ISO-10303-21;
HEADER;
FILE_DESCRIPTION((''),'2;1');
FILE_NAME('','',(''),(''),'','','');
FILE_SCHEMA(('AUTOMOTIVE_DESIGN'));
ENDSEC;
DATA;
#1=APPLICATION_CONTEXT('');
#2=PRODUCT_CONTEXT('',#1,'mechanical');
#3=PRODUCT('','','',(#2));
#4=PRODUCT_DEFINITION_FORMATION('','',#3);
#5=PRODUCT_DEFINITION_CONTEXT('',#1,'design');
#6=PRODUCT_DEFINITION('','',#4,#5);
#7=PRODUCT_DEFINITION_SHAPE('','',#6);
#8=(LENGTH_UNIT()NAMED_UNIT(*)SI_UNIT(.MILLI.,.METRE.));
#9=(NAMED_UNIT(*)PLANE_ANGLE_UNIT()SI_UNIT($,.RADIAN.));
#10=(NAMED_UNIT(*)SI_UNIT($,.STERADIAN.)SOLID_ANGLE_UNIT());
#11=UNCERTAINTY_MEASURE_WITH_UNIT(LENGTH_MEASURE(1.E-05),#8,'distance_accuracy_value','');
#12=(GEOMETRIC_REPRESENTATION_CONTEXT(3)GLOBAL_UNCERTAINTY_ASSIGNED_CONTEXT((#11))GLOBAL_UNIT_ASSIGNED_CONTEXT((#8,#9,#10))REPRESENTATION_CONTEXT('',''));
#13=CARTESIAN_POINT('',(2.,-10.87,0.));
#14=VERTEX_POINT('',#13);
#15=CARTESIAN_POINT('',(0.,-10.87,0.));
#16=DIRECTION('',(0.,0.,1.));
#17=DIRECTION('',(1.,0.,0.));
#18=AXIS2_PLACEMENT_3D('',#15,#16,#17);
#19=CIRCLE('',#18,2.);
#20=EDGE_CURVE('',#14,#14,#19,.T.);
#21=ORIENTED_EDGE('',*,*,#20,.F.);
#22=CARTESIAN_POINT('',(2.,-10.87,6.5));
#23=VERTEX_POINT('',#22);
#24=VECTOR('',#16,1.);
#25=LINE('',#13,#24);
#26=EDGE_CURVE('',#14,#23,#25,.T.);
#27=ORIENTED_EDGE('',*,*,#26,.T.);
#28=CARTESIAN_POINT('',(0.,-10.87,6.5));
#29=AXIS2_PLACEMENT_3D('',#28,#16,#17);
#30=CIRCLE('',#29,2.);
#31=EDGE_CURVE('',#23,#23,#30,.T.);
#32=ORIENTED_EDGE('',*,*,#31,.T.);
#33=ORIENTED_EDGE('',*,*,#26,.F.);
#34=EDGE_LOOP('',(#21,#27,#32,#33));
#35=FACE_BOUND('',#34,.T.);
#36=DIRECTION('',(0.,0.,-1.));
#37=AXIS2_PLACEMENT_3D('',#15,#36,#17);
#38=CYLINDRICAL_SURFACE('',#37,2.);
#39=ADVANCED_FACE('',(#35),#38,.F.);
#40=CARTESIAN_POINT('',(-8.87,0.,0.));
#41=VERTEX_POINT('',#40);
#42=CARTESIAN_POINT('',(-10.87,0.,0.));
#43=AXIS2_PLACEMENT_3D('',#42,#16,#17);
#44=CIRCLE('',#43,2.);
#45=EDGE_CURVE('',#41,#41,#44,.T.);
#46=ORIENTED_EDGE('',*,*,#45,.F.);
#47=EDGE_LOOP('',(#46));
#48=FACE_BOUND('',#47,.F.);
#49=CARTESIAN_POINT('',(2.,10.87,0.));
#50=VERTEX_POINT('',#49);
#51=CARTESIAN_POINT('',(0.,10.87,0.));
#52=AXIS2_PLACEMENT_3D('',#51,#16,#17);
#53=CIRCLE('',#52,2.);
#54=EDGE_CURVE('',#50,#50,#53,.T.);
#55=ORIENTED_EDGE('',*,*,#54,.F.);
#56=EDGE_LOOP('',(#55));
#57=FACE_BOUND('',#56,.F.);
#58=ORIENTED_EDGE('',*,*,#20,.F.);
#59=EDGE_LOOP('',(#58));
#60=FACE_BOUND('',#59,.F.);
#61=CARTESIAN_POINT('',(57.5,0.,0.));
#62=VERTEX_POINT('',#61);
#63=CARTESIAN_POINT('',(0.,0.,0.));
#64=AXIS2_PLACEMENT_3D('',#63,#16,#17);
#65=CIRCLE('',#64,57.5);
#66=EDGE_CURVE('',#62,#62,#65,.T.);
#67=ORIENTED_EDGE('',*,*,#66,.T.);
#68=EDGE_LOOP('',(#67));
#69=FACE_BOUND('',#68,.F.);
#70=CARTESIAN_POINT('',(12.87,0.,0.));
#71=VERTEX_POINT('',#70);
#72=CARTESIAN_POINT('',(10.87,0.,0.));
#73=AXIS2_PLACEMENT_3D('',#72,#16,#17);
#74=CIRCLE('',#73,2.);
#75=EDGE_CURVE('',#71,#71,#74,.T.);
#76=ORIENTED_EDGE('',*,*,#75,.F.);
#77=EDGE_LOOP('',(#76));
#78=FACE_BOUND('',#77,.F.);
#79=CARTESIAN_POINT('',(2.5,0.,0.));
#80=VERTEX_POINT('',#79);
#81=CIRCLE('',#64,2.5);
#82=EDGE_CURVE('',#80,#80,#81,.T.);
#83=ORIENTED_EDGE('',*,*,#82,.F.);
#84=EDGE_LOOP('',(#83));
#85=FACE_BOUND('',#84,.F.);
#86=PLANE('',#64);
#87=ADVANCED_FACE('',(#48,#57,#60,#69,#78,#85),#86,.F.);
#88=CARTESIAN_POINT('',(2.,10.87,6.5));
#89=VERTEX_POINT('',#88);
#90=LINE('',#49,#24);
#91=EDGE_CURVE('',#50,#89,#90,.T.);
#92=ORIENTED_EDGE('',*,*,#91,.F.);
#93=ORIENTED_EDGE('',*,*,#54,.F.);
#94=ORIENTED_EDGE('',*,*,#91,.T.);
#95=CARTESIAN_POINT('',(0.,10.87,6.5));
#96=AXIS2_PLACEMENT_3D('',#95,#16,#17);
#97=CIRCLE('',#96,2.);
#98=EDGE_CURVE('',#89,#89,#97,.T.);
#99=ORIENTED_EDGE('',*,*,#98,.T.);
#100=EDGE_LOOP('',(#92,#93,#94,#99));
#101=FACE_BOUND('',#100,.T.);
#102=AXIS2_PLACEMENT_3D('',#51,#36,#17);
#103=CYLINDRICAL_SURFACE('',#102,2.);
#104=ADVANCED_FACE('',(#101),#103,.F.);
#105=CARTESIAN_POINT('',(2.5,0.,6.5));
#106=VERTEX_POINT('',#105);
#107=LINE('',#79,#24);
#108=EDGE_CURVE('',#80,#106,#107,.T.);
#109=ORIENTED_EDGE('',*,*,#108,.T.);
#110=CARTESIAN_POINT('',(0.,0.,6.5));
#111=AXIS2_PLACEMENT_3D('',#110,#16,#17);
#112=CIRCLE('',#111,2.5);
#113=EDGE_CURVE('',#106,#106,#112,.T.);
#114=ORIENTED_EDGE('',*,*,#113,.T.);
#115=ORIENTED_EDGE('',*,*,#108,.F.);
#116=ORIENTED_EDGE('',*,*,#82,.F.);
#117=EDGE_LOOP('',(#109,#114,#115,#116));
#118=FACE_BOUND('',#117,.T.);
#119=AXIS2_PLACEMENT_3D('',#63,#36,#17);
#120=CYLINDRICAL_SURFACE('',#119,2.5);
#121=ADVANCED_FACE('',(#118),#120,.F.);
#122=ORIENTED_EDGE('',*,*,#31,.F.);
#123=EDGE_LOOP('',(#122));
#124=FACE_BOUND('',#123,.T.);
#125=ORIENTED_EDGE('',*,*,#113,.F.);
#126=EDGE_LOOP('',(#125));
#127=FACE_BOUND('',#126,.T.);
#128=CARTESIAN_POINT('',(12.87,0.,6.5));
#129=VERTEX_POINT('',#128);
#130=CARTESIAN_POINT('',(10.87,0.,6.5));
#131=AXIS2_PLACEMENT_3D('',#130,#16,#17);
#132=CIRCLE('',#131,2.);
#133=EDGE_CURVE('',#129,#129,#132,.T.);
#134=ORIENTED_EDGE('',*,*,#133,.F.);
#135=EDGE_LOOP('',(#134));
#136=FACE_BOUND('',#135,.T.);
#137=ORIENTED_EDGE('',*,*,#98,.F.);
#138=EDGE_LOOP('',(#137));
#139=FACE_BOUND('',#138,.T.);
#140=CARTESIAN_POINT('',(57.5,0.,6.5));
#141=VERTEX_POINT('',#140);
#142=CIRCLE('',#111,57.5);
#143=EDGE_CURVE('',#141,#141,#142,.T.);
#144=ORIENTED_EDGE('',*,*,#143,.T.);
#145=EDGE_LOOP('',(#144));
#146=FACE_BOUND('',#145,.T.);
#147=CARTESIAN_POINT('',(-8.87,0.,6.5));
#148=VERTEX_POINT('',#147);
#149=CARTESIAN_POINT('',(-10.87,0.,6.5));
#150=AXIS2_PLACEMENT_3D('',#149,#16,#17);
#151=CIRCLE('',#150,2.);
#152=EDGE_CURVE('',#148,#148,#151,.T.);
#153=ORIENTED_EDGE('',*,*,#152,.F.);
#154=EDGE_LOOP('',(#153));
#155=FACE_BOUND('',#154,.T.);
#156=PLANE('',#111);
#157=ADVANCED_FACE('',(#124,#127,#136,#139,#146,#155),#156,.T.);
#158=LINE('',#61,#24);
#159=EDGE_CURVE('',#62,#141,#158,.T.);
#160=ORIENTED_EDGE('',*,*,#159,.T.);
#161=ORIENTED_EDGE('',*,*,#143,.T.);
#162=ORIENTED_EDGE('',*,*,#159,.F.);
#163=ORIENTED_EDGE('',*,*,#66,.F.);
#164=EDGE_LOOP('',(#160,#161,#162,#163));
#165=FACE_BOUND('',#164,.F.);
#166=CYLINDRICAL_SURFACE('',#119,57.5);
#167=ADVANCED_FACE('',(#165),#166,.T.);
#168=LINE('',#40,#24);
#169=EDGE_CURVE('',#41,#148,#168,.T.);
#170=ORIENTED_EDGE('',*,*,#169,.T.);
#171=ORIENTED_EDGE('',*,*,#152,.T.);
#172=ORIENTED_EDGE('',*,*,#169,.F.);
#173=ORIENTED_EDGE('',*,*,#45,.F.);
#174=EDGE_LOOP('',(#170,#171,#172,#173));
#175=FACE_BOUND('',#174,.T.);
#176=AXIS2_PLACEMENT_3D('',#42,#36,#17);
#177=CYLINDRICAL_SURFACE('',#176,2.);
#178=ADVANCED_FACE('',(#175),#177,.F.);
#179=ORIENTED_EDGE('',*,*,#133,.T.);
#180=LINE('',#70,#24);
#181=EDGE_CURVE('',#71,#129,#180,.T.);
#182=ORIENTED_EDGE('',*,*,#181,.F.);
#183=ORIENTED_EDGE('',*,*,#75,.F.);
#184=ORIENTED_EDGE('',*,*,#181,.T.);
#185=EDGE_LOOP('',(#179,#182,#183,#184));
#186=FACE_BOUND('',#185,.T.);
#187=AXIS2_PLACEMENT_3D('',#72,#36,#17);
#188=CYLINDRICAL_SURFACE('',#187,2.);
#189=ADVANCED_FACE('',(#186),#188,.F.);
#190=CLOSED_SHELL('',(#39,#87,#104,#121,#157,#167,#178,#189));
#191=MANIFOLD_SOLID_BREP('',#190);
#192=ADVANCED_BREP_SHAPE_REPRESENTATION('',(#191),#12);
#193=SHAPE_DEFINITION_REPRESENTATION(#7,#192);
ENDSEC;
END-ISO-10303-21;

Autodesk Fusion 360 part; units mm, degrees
sketch "Sketch1" plane through (0, 0, 0) normal (0, 0, 1) x (1, 0, 0)
  circle A0 centre (0, 0) radius 57.5
  circle A1 centre (0, 0) radius 2.5
  line L0 (0, 0) -> (0, 10.87) construction
  circle A2 centre (0, 10.87) radius 2
  circle A3 centre (-10.87, 0) radius 2
  circle A4 centre (0, -10.87) radius 2
  circle A5 centre (10.87, 0) radius 2
  dimension "d1" = 115
  dimension "d2" = 5
  dimension "d3" = 10.87
  dimension "d4" = 4
  dimension "d6" = 360
extrude "Extrude1" add sketch "Sketch1" along normal blind 6.5
